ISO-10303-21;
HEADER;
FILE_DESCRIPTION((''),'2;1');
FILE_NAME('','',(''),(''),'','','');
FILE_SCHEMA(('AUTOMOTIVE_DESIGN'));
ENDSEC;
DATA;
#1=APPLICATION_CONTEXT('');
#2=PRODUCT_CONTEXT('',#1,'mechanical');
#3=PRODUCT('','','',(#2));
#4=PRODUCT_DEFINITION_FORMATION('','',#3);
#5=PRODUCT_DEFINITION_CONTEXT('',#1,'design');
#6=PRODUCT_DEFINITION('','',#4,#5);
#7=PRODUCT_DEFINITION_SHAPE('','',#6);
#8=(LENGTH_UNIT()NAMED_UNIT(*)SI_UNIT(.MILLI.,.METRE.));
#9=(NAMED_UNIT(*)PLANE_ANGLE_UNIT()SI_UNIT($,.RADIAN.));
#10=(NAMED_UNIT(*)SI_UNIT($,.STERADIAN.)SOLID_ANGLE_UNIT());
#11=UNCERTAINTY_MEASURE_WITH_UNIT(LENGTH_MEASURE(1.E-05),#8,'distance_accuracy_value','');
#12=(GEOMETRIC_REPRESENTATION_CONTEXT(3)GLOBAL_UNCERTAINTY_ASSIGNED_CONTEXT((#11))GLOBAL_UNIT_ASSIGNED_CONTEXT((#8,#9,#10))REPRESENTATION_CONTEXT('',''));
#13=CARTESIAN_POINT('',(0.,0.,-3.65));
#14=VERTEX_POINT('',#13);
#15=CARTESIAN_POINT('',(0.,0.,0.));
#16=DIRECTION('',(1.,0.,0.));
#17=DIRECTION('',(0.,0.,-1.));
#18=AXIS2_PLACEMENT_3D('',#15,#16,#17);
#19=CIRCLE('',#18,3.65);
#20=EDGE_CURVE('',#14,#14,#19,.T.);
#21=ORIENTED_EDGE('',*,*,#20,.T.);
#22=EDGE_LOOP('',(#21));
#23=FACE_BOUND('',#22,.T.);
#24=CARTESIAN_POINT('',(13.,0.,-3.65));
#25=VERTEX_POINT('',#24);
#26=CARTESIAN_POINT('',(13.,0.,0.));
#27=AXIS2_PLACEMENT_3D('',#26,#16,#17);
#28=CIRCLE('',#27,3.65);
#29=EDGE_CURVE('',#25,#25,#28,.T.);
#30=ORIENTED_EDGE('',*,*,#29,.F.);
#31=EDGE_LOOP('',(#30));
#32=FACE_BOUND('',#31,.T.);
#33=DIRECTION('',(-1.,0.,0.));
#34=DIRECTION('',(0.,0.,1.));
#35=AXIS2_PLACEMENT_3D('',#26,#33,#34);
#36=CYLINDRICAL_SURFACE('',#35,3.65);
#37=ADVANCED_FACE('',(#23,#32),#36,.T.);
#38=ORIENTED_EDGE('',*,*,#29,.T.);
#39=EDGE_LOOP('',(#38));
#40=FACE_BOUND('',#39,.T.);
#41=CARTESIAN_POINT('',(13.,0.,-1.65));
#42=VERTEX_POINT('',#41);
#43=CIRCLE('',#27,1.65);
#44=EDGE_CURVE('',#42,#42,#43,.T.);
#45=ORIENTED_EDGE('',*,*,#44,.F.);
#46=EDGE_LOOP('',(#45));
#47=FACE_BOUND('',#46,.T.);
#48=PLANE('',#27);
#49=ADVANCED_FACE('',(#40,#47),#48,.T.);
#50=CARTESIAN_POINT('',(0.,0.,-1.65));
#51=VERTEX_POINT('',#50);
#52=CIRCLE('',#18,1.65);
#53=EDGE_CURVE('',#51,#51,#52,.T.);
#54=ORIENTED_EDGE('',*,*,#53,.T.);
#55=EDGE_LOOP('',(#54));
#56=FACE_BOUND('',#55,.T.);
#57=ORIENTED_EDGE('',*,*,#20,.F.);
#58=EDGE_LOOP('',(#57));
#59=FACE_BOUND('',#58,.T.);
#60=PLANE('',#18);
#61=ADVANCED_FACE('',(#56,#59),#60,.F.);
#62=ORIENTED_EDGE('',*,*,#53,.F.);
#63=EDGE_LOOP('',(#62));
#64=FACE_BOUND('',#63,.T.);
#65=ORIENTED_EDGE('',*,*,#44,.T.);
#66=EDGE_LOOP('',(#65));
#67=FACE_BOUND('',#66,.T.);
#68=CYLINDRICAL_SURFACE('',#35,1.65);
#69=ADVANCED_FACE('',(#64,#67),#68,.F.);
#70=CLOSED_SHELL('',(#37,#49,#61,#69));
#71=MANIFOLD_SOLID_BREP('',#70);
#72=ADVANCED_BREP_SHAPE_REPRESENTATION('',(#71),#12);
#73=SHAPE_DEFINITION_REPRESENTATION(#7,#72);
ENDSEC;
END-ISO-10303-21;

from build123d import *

# Parameters (mm, degrees)
SKETCH_1_R      = 3.65
SKETCH_1_R_2    = 1.65
EXTRUDE_1_DEPTH = 13


with BuildPart() as part:
    # 草图1 → 凸台-拉伸1 (new body)
    with BuildSketch(Plane(origin=(0, 0, 0), x_dir=(0, 0, -1), z_dir=(1, 0, 0))):
        Circle(SKETCH_1_R)
        Circle(SKETCH_1_R_2, mode=Mode.SUBTRACT)
    extrude(amount=EXTRUDE_1_DEPTH)


solid = part.part
